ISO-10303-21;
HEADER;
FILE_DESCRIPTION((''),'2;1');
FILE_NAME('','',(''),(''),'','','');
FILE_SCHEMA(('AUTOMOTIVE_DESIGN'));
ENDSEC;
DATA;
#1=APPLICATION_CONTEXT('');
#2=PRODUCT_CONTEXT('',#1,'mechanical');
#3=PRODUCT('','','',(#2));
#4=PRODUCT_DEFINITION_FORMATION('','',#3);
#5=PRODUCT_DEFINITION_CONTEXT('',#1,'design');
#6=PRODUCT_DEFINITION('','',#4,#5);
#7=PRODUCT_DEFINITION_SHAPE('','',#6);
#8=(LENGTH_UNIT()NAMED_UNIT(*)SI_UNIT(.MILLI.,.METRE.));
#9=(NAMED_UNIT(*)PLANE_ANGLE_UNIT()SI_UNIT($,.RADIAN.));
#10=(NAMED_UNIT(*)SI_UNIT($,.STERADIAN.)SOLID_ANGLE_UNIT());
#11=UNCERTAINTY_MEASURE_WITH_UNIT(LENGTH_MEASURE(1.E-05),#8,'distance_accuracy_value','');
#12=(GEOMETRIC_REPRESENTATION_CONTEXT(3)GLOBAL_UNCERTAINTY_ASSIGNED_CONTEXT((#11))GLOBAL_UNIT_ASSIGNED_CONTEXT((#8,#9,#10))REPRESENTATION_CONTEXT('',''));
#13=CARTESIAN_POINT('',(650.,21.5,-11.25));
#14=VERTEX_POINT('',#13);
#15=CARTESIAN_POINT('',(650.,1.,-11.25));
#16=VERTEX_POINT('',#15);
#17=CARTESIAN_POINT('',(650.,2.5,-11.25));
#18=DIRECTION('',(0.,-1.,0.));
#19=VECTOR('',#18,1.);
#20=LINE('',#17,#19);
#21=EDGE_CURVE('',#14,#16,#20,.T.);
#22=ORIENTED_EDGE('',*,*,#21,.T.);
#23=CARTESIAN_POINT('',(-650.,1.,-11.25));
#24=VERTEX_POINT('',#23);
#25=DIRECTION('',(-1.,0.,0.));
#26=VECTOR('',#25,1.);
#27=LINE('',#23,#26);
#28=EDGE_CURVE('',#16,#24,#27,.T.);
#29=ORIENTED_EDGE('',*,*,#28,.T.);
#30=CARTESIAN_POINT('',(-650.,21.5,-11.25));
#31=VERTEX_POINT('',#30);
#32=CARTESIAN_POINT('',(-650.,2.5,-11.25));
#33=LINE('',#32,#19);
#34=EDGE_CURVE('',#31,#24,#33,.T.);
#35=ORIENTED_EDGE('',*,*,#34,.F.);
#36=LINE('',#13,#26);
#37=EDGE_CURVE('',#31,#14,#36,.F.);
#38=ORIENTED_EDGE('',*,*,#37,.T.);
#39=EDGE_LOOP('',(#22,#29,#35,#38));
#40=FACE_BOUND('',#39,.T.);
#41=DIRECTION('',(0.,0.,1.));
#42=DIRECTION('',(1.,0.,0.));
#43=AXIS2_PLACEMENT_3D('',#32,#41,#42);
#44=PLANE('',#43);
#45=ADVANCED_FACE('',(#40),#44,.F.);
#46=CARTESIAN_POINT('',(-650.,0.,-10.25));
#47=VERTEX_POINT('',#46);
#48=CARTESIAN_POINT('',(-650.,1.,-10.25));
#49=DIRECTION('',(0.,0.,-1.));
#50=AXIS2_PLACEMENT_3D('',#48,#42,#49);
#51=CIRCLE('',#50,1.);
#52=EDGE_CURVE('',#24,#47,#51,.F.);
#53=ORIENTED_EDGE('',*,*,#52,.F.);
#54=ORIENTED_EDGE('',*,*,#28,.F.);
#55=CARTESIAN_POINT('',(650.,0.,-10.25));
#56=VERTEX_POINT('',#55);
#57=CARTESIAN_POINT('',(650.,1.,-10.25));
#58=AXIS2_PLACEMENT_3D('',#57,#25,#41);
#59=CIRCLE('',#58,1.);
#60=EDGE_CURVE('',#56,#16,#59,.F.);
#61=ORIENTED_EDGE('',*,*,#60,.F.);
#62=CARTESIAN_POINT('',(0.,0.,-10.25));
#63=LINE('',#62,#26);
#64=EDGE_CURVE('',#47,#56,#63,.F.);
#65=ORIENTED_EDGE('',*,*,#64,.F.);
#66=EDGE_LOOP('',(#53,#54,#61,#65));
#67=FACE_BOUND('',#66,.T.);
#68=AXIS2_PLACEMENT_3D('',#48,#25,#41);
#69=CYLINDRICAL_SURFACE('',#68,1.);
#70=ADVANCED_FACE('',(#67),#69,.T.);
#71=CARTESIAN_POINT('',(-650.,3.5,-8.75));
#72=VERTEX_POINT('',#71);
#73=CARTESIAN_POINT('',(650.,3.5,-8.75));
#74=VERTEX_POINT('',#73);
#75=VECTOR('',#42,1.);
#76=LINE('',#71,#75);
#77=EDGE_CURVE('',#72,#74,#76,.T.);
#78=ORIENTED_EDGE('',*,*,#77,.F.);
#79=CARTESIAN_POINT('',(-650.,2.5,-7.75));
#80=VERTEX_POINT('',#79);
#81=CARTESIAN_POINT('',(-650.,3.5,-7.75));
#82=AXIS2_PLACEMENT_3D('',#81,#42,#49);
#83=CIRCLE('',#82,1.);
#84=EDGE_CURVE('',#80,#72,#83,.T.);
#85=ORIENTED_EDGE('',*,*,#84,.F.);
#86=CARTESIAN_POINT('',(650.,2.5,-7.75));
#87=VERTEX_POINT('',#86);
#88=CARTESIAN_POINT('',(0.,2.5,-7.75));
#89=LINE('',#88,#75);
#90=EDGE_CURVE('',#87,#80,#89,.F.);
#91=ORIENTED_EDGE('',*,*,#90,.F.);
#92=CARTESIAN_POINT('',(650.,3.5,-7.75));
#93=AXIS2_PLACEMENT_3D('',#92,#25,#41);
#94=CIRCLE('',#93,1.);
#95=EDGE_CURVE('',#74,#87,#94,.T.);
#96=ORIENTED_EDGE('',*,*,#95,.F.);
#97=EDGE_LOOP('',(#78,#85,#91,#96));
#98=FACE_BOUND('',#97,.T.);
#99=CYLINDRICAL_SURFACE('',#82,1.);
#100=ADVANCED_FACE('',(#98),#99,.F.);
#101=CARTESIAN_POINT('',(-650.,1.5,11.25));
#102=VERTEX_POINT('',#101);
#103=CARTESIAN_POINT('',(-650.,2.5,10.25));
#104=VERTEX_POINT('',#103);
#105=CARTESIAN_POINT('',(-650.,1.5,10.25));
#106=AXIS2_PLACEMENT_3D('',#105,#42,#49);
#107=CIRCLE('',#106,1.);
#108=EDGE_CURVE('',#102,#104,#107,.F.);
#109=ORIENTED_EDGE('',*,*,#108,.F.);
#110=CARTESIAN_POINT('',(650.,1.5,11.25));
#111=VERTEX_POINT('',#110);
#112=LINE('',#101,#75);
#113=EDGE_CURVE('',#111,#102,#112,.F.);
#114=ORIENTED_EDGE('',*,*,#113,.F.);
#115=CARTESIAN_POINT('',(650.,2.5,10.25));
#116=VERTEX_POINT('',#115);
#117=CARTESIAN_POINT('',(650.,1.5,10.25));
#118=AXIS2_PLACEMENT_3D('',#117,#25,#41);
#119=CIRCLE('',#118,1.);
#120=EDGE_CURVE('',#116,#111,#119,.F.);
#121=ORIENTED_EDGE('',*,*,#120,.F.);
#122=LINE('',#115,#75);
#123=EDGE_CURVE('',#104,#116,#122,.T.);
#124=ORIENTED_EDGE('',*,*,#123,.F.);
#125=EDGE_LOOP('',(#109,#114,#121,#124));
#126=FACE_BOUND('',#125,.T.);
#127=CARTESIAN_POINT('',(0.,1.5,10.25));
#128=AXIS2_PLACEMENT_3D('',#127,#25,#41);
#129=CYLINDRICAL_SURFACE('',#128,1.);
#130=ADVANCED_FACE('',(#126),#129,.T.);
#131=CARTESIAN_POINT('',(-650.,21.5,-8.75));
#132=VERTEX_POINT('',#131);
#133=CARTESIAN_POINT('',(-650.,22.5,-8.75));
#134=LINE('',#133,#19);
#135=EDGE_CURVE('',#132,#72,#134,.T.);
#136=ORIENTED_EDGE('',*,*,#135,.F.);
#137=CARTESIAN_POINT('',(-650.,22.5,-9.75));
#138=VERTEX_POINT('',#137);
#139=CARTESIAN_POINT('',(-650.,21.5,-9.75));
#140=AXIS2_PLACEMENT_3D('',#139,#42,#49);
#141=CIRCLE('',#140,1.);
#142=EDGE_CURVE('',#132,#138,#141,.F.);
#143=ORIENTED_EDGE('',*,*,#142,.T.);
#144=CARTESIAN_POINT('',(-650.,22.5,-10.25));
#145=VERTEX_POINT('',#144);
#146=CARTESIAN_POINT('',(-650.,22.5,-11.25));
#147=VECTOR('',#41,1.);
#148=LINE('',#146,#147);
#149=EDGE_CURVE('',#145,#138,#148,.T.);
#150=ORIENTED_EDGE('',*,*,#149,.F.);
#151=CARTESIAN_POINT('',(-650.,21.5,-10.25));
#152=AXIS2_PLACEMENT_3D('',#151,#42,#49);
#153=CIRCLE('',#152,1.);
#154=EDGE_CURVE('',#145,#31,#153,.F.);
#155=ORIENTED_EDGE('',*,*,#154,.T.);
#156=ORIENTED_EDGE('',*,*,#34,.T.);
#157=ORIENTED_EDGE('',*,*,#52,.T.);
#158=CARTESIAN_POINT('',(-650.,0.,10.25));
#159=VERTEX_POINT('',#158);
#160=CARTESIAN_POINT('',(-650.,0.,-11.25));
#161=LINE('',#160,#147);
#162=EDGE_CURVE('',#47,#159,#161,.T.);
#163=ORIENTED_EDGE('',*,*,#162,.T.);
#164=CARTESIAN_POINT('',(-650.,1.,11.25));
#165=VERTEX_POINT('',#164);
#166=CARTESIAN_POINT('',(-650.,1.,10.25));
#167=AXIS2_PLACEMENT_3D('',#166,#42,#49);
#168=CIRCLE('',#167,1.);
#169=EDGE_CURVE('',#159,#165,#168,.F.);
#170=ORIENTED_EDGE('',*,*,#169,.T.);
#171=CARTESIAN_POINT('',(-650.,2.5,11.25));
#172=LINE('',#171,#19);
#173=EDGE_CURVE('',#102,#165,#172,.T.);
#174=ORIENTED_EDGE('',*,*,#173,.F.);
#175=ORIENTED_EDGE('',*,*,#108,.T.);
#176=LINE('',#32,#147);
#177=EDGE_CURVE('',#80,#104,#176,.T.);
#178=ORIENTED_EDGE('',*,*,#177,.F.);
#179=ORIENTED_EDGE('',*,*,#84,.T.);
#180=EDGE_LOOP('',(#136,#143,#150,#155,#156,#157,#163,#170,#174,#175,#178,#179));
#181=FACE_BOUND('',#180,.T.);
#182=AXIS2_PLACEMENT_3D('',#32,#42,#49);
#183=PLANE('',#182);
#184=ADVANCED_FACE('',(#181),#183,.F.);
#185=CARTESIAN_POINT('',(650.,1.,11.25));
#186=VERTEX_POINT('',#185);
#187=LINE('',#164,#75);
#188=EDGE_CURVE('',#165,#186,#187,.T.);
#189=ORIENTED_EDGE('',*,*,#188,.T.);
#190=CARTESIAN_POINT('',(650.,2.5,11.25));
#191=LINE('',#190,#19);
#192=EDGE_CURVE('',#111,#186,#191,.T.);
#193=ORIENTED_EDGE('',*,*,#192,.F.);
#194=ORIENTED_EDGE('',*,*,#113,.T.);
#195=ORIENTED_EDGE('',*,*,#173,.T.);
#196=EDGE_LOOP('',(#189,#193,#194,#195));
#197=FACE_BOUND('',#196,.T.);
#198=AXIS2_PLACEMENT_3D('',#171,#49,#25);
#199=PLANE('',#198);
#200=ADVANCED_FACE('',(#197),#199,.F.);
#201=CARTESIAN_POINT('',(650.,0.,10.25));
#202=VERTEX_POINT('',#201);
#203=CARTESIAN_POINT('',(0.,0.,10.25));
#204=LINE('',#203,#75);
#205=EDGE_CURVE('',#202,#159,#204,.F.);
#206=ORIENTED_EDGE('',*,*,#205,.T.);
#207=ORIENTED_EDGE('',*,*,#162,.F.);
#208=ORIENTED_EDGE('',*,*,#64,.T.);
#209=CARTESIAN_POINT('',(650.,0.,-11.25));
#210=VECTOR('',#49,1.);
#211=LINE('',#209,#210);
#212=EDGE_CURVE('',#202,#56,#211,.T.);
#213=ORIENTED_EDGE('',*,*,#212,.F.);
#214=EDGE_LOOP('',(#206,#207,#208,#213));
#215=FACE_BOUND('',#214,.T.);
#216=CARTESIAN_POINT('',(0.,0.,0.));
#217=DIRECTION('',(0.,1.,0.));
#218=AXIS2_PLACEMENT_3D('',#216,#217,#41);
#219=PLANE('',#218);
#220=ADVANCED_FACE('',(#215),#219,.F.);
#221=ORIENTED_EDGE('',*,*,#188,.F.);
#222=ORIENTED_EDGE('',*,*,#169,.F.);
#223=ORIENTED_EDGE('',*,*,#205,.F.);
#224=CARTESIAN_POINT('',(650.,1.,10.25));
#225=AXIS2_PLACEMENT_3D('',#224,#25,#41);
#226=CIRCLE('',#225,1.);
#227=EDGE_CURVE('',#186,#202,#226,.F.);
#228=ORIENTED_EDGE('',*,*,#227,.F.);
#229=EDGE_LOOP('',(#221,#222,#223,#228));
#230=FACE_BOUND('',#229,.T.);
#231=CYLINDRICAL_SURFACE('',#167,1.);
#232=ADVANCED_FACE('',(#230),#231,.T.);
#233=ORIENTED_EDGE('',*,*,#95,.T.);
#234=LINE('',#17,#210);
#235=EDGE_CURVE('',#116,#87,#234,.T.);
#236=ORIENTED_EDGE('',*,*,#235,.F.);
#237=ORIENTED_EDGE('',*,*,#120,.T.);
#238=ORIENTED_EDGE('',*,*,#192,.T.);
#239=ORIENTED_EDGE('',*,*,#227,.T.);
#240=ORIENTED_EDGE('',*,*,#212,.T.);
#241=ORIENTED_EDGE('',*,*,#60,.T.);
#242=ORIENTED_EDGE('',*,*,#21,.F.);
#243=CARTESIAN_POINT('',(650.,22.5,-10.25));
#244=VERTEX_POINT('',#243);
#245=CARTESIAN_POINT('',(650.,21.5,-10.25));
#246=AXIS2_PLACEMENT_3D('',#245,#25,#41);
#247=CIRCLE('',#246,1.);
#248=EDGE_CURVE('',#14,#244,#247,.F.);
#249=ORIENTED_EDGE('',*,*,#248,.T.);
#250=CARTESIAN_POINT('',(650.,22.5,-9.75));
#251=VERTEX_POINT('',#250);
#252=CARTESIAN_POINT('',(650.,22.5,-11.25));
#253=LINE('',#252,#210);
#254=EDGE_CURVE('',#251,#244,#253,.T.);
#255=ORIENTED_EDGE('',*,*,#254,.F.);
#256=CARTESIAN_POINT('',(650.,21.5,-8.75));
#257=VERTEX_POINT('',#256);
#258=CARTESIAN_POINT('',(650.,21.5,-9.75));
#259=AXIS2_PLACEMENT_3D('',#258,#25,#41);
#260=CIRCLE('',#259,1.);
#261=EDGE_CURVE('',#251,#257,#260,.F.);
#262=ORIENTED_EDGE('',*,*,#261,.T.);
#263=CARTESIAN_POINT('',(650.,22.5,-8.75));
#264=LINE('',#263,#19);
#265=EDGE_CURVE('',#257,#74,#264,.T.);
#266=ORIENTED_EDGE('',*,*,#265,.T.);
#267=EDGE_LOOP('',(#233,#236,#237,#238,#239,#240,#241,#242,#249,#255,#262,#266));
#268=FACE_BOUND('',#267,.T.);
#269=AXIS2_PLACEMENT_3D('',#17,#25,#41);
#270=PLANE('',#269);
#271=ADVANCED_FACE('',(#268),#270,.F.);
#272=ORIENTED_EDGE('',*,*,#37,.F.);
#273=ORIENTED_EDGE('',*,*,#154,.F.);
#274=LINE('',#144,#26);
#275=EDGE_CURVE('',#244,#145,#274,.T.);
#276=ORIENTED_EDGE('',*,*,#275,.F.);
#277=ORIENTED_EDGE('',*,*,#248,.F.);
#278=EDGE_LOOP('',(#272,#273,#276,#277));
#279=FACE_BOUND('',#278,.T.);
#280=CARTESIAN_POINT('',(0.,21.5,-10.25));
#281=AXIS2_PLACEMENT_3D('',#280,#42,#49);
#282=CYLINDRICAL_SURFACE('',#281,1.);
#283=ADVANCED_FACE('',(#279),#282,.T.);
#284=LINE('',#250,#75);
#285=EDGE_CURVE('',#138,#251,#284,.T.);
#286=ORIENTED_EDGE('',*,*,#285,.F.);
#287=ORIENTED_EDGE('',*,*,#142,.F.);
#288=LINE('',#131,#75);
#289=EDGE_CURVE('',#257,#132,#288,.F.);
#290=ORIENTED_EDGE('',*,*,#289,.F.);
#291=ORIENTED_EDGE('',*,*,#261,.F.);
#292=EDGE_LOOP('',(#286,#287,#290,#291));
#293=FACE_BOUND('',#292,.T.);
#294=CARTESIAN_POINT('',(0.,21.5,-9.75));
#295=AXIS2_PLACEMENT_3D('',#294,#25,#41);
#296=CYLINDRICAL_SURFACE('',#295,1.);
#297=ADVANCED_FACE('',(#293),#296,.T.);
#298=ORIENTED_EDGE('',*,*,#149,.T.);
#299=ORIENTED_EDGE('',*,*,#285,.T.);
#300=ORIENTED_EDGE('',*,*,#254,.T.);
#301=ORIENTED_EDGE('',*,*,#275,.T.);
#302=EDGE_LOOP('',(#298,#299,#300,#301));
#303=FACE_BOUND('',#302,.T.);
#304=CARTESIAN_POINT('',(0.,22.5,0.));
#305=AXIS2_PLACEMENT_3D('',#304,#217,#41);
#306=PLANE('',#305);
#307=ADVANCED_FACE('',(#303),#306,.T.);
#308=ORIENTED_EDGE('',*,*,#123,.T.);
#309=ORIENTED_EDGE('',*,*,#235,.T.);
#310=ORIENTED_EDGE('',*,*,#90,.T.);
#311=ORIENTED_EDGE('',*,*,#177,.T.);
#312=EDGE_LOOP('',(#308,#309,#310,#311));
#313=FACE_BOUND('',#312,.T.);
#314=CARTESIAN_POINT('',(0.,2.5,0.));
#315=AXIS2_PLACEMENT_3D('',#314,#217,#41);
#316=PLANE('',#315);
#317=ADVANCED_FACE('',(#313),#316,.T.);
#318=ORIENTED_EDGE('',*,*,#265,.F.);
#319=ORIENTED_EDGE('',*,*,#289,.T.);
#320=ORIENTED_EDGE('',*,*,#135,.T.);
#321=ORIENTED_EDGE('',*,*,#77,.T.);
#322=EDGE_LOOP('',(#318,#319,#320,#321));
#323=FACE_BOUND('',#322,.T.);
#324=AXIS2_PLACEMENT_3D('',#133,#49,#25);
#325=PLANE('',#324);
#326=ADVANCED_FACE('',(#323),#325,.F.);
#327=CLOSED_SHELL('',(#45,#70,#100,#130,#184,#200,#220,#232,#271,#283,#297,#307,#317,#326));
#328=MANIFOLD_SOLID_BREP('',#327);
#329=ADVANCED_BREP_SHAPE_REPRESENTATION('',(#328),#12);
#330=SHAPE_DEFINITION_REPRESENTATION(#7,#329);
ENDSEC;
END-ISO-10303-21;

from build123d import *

# Parameters (mm, degrees)
SKETCH1_W           = 1300
SKETCH1_H           = 22.5
BOSS_EXTRUDE1_DEPTH = 2.5
SKETCH2_W           = 1300
SKETCH2_H           = 2.5
BOSS_EXTRUDE2_DEPTH = 20
FILLET1_R           = 1


with BuildPart() as part:
    # Sketch1 → Boss-Extrude1 (new body)
    with BuildSketch(Plane(origin=(0, 0, 0), x_dir=(1, 0, 0), z_dir=(0, 1, 0))):
        Rectangle(SKETCH1_W, SKETCH1_H)
    extrude(amount=BOSS_EXTRUDE1_DEPTH)

    # Sketch2 → Boss-Extrude2 (add)
    with BuildSketch(Plane(origin=(0, 2.5, 0), x_dir=(1, 0, 0), z_dir=(0, 1, 0))):
        with Locations((0, 10)):
            Rectangle(SKETCH2_W, SKETCH2_H)
    extrude(amount=BOSS_EXTRUDE2_DEPTH)

    # Fillet1
    fillet1_edges = [part.edges().sort_by_distance(p)[0] for p in [
        (0, 2.5, 11.25),
        (0, 2.5, -8.75),
        (0, 22.5, -8.75),
        (0, 22.5, -11.25),
        (0, 0, 11.25),
        (0, 0, -11.25),
    ]]
    fillet(fillet1_edges, radius=FILLET1_R)


solid = part.part
